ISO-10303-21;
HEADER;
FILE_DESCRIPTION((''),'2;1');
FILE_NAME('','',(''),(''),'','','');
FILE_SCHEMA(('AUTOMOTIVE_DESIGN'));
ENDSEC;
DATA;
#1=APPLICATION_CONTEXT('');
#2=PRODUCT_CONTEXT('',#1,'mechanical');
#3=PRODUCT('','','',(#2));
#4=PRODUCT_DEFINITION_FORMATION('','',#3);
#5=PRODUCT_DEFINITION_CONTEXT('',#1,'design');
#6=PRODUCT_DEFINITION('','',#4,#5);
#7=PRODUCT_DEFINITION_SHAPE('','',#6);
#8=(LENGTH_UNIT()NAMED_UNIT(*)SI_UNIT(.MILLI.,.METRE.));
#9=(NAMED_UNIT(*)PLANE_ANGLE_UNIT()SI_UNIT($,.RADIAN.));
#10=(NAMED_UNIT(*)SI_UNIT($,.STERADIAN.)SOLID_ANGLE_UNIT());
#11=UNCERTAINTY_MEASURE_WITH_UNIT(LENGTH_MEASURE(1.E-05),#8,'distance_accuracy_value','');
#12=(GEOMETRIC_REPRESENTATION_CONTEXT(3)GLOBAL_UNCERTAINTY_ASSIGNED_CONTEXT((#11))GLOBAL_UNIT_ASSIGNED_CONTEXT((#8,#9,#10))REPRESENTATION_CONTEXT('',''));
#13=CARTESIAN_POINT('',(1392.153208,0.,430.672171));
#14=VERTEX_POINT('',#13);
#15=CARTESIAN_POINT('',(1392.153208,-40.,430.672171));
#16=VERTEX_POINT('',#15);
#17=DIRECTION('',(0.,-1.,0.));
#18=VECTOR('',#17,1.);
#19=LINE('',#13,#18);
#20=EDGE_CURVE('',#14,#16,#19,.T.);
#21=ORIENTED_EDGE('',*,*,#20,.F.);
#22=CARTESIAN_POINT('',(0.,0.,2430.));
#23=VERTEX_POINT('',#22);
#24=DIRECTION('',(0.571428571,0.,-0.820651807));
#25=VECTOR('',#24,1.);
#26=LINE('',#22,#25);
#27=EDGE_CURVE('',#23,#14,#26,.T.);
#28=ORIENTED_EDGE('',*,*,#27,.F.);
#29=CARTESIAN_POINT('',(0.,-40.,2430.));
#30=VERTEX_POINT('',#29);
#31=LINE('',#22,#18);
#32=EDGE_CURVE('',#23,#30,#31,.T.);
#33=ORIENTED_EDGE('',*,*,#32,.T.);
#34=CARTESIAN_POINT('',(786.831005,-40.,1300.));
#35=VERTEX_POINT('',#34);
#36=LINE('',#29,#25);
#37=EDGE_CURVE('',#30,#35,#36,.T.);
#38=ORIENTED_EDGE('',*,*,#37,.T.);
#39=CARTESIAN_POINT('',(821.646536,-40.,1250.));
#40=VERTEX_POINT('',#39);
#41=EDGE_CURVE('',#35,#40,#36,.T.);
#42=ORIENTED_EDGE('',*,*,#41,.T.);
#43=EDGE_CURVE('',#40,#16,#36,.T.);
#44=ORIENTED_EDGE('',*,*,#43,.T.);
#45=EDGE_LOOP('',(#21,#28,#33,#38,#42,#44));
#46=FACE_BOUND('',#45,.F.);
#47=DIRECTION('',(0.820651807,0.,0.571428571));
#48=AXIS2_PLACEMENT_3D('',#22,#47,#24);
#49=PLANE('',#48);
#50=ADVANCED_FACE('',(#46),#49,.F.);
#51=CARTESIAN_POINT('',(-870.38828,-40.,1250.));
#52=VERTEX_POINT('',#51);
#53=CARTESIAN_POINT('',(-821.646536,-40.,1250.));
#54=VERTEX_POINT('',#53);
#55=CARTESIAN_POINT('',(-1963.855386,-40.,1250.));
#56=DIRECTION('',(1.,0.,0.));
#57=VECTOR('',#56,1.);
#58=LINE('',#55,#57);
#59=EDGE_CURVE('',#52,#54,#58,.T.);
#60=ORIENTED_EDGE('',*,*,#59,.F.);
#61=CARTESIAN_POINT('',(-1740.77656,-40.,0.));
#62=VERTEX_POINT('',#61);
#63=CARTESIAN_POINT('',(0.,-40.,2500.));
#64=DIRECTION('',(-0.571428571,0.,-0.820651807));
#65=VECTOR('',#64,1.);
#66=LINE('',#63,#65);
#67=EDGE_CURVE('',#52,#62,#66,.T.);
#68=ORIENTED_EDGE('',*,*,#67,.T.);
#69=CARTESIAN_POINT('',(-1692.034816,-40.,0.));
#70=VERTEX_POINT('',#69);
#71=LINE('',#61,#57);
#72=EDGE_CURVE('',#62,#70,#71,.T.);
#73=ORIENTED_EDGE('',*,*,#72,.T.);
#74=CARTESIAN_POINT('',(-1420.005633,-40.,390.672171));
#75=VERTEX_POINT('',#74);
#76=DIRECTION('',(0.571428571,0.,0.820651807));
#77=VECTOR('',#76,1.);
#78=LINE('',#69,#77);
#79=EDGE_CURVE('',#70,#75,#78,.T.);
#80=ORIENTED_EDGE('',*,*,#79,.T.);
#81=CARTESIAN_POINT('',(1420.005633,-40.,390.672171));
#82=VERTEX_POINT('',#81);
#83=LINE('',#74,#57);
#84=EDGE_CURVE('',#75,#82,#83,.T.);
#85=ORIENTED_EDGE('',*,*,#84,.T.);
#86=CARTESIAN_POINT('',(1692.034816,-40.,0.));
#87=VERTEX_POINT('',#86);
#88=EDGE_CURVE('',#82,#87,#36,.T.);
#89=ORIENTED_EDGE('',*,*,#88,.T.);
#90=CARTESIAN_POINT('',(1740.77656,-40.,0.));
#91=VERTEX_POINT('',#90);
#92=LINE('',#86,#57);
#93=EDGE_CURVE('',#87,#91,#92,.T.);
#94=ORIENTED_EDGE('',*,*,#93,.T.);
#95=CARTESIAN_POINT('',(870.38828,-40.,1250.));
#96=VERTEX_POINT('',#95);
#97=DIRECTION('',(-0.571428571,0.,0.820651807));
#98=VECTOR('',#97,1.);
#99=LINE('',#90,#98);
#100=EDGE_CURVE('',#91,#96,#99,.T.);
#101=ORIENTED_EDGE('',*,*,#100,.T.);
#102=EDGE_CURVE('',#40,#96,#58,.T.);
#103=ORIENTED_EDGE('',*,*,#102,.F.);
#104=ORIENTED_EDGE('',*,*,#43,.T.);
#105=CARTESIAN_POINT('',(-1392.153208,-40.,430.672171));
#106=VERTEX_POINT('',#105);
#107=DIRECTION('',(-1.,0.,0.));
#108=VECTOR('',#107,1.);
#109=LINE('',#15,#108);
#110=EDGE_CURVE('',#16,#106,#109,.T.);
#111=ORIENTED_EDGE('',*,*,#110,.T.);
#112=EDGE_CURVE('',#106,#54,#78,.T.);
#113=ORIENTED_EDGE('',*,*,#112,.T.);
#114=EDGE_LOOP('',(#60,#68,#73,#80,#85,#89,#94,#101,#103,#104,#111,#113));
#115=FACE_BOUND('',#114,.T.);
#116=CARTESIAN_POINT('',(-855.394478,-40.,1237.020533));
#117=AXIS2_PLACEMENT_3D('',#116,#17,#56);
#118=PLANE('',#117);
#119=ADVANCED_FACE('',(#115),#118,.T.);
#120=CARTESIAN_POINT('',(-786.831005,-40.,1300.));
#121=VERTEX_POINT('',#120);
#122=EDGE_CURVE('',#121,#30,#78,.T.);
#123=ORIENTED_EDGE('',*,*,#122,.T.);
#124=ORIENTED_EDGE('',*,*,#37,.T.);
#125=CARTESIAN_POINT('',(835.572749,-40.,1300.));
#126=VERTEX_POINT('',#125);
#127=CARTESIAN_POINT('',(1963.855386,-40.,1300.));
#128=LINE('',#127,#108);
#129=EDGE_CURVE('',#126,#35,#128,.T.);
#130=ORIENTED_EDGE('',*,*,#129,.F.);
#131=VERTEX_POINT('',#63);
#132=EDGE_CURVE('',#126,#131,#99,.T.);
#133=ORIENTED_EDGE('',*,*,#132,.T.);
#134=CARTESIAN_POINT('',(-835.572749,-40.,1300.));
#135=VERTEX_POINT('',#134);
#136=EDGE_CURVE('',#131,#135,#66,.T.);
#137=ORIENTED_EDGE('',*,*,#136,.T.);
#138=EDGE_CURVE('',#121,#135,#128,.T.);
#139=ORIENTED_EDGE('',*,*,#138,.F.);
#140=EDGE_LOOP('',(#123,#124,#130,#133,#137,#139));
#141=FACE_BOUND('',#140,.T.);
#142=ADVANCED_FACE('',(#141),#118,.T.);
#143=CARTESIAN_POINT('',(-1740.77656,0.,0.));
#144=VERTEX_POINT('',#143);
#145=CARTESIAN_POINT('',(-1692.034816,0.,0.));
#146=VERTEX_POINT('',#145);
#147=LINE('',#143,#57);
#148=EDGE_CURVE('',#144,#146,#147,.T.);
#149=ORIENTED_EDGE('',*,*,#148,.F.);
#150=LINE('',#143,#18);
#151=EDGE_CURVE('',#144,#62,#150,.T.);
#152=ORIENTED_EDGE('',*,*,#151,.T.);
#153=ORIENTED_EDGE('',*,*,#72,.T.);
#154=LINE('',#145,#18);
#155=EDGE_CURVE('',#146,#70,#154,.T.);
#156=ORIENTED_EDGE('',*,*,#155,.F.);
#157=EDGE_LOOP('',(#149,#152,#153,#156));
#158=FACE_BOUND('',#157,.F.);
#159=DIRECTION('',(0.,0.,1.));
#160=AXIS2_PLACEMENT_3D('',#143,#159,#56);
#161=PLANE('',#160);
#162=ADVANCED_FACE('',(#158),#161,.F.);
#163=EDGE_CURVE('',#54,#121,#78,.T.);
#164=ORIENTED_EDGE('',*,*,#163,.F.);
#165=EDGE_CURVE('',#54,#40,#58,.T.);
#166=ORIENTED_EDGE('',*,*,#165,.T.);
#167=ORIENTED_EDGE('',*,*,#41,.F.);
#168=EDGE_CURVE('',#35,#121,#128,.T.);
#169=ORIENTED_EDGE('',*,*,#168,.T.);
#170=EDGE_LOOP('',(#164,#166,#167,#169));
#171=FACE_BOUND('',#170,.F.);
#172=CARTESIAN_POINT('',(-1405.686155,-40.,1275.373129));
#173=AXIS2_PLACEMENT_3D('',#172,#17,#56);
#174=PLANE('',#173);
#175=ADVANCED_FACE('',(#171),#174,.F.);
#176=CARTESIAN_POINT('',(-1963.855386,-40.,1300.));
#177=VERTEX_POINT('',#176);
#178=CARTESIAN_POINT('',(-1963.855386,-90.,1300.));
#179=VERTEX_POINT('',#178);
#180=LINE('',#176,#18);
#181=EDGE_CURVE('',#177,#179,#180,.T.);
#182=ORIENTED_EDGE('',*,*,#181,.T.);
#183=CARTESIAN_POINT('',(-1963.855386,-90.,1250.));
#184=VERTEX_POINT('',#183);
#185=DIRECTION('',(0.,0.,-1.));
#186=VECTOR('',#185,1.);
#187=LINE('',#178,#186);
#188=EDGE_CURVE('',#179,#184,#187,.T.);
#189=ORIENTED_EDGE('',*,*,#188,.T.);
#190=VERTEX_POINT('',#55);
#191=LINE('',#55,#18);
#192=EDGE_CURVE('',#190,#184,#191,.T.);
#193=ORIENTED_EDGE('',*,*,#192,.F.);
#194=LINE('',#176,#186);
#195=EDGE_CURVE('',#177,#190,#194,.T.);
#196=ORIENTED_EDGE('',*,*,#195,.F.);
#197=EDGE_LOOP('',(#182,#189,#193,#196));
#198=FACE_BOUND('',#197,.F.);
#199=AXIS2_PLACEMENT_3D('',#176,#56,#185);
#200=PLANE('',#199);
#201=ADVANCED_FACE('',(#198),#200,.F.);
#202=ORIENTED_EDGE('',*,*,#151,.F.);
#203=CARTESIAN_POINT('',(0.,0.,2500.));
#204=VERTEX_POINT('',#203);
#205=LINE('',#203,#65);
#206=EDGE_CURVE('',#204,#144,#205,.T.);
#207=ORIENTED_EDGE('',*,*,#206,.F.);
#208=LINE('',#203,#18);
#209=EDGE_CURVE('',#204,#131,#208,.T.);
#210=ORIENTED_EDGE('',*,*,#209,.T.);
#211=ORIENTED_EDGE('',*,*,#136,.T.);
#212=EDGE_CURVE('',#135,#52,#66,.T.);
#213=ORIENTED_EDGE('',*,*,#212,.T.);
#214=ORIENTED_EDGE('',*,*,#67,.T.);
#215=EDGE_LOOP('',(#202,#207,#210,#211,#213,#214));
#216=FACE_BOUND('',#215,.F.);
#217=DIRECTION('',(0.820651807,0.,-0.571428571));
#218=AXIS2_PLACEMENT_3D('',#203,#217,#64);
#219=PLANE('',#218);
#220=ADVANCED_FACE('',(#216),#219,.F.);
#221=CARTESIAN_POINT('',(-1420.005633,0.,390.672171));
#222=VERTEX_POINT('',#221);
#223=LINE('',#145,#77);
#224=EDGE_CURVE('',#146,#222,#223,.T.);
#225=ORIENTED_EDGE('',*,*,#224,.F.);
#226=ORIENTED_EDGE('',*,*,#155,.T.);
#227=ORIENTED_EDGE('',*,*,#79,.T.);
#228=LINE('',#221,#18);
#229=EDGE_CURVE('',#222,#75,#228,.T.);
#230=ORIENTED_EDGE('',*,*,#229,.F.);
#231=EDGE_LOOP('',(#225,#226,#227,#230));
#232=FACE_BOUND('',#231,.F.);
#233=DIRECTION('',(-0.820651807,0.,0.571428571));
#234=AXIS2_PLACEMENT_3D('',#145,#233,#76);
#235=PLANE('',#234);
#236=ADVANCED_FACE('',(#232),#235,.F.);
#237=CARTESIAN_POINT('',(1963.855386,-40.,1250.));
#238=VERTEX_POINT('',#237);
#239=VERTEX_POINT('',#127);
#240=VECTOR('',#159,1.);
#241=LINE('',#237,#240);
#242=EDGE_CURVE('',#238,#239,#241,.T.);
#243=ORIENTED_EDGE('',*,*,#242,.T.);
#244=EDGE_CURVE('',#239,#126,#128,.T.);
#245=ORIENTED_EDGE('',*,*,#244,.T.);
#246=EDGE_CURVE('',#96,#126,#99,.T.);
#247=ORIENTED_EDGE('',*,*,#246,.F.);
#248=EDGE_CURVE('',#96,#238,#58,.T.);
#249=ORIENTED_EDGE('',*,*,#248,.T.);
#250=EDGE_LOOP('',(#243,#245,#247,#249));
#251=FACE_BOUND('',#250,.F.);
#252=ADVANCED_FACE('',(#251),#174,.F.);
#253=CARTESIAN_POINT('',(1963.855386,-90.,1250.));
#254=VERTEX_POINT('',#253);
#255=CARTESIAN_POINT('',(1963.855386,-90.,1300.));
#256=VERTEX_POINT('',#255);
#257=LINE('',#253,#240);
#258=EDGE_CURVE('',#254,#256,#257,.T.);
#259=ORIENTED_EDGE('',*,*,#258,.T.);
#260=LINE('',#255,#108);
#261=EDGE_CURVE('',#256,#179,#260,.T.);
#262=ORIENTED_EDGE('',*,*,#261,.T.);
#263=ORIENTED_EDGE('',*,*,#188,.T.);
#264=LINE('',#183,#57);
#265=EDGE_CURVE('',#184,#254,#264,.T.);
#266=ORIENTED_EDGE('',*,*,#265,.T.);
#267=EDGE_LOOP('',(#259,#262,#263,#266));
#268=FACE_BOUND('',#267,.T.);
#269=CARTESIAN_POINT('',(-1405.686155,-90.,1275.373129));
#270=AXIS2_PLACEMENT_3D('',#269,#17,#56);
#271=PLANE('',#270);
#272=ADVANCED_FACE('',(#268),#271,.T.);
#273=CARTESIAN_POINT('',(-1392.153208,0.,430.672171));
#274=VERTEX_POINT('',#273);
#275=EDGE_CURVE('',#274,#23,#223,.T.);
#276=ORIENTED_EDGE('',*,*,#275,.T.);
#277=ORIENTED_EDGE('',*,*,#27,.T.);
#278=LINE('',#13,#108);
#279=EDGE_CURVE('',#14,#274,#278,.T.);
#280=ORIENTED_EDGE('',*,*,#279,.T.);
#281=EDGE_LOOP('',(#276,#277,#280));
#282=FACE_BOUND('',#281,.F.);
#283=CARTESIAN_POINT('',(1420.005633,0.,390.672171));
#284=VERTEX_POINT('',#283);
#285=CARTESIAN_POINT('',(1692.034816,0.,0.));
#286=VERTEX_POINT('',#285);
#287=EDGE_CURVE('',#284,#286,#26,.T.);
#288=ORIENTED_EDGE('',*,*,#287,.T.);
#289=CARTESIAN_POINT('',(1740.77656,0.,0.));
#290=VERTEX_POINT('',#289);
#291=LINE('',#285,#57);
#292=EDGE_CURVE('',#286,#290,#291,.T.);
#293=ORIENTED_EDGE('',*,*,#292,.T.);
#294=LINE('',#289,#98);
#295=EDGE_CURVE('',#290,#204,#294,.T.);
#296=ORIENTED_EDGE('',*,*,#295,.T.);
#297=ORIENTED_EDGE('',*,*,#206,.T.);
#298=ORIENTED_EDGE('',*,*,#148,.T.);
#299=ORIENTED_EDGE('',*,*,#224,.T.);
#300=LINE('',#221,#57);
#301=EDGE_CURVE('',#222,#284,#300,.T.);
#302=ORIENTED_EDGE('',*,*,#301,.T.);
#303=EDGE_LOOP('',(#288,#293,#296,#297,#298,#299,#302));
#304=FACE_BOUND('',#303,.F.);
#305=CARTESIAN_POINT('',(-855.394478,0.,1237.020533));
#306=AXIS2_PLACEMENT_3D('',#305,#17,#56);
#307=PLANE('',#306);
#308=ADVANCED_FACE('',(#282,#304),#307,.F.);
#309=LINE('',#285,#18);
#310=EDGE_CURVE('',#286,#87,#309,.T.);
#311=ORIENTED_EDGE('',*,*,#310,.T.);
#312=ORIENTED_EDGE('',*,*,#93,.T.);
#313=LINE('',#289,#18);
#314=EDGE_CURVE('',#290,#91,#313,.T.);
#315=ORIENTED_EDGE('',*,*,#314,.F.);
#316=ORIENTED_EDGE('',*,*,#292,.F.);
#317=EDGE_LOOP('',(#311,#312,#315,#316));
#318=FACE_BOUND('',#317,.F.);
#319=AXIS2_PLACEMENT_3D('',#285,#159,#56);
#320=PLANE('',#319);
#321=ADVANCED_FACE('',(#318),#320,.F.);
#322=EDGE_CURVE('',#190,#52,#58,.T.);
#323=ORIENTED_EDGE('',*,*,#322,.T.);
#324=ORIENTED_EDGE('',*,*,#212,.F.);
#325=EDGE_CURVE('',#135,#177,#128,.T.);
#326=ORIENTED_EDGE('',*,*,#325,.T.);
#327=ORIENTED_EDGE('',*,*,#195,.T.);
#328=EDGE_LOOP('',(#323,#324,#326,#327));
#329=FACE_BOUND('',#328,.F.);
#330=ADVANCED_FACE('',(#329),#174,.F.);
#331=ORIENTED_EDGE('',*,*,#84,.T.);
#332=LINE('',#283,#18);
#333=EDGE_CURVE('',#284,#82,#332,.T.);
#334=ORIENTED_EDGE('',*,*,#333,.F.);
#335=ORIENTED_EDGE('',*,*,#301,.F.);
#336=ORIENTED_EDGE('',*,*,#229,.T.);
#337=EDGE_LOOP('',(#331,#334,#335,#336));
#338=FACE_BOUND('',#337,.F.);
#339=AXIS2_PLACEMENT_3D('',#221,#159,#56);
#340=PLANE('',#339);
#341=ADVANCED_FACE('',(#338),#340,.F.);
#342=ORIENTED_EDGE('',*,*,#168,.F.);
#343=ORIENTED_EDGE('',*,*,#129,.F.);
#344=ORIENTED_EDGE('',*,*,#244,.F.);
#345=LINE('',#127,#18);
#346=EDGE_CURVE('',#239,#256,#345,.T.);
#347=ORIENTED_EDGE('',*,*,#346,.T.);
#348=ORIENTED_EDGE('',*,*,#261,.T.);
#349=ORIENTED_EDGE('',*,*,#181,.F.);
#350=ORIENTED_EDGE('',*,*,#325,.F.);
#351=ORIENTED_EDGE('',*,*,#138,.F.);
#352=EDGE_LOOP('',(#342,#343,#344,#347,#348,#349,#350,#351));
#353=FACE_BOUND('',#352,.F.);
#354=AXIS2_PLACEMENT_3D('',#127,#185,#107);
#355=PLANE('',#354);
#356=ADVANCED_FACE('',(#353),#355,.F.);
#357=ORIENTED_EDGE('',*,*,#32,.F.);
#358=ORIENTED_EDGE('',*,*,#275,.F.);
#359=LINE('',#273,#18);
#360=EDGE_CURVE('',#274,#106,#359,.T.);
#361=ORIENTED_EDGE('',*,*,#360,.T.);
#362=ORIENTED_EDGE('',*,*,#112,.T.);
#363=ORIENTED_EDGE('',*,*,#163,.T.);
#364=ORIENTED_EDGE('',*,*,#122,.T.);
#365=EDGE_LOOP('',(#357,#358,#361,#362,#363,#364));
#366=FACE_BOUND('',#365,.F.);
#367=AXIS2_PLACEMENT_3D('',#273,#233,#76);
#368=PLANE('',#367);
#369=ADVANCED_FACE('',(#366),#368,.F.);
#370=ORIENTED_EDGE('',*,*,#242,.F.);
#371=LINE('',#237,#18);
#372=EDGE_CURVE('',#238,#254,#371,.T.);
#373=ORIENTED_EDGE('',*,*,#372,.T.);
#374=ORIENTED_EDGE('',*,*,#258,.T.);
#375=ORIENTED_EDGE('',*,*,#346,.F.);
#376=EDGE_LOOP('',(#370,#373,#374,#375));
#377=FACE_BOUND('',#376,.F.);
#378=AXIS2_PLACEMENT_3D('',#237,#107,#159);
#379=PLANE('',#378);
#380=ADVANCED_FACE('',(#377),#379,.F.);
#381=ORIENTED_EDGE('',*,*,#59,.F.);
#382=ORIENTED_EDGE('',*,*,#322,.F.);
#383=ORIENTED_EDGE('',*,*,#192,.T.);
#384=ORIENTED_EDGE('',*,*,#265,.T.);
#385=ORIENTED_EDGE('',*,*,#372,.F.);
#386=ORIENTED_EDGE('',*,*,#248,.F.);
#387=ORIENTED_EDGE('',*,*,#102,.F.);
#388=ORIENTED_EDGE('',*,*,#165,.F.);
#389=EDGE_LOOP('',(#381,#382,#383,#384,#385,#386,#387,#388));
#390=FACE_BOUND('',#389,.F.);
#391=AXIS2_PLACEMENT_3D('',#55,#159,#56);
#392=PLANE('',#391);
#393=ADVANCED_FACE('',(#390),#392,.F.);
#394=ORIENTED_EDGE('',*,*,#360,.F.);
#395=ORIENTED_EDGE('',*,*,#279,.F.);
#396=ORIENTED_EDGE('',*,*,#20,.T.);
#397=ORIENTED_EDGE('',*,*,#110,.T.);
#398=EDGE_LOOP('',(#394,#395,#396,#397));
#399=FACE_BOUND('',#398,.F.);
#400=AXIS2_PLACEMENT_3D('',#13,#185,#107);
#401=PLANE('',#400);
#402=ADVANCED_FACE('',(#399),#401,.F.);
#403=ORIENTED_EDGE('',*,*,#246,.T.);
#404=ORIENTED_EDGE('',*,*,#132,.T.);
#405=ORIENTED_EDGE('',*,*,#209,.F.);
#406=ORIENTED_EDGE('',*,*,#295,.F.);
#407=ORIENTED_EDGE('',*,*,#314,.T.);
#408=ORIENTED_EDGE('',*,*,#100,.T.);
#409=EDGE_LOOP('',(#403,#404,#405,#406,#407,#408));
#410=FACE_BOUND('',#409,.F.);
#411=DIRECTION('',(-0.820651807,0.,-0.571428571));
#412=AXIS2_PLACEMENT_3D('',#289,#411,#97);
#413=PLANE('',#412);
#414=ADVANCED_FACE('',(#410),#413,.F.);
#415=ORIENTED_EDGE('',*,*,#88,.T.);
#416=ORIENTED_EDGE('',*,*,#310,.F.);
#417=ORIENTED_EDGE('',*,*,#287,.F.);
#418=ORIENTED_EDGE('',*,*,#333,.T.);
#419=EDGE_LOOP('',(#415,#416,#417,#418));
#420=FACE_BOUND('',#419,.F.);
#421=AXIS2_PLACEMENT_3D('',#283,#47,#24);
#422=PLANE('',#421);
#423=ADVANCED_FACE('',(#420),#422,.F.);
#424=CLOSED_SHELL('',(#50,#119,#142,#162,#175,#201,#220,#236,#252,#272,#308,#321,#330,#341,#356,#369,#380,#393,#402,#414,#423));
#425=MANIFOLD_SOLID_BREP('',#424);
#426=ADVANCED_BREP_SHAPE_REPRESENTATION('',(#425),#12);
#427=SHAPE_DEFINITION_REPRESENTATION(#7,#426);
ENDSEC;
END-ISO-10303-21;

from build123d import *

# Parameters (mm, degrees)
F1_DEPTH = 40
F3_DEPTH = 50


with BuildPart() as f1:
    # F0 (on Front) → F1 (new body)
    with BuildSketch(Plane.XZ):
        Polygon((0, 2430), (0, 2500), (-1740.776559557, 0), (-1692.0348158894, 0), (-1420.0056328006, 390.672170985), (-1392.1532078477, 430.672170985), align=None)
        Polygon((1740.776559557, 0), (0, 2500), (0, 2430), (1392.1532078477, 430.672170985), (1420.0056328006, 390.672170985), (1692.0348158894, 0), align=None)
        Polygon((1392.1532078477, 430.672170985), (-1392.1532078477, 430.672170985), (-1420.0056328006, 390.672170985), (1420.0056328006, 390.672170985), align=None)
    extrude(amount=F1_DEPTH)

    # F2 (on face) → F3 (join)
    with BuildSketch(Plane.XZ.offset(40)):
        Polygon((-870.3882797785, 1250), (-835.5727485874, 1300), (-1963.8553857803, 1300), (-1963.8553857803, 1250), align=None)
        Polygon((-786.8310049198, 1300), (-835.5727485874, 1300), (-870.3882797785, 1250), (-821.6465361109, 1250), align=None)
        Polygon((0, 1300), (-786.8310049198, 1300), (-821.6465361109, 1250), (0, 1250), align=None)
        Polygon((786.8310049198, 1300), (0, 1300), (0, 1250), (821.6465361109, 1250), align=None)
        Polygon((870.3882797785, 1250), (835.5727485874, 1300), (786.8310049198, 1300), (821.6465361109, 1250), align=None)
        Polygon((1963.8553857803, 1300), (835.5727485874, 1300), (870.3882797785, 1250), (1963.8553857803, 1250), align=None)
    extrude(amount=F3_DEPTH)


solid = f1.part
